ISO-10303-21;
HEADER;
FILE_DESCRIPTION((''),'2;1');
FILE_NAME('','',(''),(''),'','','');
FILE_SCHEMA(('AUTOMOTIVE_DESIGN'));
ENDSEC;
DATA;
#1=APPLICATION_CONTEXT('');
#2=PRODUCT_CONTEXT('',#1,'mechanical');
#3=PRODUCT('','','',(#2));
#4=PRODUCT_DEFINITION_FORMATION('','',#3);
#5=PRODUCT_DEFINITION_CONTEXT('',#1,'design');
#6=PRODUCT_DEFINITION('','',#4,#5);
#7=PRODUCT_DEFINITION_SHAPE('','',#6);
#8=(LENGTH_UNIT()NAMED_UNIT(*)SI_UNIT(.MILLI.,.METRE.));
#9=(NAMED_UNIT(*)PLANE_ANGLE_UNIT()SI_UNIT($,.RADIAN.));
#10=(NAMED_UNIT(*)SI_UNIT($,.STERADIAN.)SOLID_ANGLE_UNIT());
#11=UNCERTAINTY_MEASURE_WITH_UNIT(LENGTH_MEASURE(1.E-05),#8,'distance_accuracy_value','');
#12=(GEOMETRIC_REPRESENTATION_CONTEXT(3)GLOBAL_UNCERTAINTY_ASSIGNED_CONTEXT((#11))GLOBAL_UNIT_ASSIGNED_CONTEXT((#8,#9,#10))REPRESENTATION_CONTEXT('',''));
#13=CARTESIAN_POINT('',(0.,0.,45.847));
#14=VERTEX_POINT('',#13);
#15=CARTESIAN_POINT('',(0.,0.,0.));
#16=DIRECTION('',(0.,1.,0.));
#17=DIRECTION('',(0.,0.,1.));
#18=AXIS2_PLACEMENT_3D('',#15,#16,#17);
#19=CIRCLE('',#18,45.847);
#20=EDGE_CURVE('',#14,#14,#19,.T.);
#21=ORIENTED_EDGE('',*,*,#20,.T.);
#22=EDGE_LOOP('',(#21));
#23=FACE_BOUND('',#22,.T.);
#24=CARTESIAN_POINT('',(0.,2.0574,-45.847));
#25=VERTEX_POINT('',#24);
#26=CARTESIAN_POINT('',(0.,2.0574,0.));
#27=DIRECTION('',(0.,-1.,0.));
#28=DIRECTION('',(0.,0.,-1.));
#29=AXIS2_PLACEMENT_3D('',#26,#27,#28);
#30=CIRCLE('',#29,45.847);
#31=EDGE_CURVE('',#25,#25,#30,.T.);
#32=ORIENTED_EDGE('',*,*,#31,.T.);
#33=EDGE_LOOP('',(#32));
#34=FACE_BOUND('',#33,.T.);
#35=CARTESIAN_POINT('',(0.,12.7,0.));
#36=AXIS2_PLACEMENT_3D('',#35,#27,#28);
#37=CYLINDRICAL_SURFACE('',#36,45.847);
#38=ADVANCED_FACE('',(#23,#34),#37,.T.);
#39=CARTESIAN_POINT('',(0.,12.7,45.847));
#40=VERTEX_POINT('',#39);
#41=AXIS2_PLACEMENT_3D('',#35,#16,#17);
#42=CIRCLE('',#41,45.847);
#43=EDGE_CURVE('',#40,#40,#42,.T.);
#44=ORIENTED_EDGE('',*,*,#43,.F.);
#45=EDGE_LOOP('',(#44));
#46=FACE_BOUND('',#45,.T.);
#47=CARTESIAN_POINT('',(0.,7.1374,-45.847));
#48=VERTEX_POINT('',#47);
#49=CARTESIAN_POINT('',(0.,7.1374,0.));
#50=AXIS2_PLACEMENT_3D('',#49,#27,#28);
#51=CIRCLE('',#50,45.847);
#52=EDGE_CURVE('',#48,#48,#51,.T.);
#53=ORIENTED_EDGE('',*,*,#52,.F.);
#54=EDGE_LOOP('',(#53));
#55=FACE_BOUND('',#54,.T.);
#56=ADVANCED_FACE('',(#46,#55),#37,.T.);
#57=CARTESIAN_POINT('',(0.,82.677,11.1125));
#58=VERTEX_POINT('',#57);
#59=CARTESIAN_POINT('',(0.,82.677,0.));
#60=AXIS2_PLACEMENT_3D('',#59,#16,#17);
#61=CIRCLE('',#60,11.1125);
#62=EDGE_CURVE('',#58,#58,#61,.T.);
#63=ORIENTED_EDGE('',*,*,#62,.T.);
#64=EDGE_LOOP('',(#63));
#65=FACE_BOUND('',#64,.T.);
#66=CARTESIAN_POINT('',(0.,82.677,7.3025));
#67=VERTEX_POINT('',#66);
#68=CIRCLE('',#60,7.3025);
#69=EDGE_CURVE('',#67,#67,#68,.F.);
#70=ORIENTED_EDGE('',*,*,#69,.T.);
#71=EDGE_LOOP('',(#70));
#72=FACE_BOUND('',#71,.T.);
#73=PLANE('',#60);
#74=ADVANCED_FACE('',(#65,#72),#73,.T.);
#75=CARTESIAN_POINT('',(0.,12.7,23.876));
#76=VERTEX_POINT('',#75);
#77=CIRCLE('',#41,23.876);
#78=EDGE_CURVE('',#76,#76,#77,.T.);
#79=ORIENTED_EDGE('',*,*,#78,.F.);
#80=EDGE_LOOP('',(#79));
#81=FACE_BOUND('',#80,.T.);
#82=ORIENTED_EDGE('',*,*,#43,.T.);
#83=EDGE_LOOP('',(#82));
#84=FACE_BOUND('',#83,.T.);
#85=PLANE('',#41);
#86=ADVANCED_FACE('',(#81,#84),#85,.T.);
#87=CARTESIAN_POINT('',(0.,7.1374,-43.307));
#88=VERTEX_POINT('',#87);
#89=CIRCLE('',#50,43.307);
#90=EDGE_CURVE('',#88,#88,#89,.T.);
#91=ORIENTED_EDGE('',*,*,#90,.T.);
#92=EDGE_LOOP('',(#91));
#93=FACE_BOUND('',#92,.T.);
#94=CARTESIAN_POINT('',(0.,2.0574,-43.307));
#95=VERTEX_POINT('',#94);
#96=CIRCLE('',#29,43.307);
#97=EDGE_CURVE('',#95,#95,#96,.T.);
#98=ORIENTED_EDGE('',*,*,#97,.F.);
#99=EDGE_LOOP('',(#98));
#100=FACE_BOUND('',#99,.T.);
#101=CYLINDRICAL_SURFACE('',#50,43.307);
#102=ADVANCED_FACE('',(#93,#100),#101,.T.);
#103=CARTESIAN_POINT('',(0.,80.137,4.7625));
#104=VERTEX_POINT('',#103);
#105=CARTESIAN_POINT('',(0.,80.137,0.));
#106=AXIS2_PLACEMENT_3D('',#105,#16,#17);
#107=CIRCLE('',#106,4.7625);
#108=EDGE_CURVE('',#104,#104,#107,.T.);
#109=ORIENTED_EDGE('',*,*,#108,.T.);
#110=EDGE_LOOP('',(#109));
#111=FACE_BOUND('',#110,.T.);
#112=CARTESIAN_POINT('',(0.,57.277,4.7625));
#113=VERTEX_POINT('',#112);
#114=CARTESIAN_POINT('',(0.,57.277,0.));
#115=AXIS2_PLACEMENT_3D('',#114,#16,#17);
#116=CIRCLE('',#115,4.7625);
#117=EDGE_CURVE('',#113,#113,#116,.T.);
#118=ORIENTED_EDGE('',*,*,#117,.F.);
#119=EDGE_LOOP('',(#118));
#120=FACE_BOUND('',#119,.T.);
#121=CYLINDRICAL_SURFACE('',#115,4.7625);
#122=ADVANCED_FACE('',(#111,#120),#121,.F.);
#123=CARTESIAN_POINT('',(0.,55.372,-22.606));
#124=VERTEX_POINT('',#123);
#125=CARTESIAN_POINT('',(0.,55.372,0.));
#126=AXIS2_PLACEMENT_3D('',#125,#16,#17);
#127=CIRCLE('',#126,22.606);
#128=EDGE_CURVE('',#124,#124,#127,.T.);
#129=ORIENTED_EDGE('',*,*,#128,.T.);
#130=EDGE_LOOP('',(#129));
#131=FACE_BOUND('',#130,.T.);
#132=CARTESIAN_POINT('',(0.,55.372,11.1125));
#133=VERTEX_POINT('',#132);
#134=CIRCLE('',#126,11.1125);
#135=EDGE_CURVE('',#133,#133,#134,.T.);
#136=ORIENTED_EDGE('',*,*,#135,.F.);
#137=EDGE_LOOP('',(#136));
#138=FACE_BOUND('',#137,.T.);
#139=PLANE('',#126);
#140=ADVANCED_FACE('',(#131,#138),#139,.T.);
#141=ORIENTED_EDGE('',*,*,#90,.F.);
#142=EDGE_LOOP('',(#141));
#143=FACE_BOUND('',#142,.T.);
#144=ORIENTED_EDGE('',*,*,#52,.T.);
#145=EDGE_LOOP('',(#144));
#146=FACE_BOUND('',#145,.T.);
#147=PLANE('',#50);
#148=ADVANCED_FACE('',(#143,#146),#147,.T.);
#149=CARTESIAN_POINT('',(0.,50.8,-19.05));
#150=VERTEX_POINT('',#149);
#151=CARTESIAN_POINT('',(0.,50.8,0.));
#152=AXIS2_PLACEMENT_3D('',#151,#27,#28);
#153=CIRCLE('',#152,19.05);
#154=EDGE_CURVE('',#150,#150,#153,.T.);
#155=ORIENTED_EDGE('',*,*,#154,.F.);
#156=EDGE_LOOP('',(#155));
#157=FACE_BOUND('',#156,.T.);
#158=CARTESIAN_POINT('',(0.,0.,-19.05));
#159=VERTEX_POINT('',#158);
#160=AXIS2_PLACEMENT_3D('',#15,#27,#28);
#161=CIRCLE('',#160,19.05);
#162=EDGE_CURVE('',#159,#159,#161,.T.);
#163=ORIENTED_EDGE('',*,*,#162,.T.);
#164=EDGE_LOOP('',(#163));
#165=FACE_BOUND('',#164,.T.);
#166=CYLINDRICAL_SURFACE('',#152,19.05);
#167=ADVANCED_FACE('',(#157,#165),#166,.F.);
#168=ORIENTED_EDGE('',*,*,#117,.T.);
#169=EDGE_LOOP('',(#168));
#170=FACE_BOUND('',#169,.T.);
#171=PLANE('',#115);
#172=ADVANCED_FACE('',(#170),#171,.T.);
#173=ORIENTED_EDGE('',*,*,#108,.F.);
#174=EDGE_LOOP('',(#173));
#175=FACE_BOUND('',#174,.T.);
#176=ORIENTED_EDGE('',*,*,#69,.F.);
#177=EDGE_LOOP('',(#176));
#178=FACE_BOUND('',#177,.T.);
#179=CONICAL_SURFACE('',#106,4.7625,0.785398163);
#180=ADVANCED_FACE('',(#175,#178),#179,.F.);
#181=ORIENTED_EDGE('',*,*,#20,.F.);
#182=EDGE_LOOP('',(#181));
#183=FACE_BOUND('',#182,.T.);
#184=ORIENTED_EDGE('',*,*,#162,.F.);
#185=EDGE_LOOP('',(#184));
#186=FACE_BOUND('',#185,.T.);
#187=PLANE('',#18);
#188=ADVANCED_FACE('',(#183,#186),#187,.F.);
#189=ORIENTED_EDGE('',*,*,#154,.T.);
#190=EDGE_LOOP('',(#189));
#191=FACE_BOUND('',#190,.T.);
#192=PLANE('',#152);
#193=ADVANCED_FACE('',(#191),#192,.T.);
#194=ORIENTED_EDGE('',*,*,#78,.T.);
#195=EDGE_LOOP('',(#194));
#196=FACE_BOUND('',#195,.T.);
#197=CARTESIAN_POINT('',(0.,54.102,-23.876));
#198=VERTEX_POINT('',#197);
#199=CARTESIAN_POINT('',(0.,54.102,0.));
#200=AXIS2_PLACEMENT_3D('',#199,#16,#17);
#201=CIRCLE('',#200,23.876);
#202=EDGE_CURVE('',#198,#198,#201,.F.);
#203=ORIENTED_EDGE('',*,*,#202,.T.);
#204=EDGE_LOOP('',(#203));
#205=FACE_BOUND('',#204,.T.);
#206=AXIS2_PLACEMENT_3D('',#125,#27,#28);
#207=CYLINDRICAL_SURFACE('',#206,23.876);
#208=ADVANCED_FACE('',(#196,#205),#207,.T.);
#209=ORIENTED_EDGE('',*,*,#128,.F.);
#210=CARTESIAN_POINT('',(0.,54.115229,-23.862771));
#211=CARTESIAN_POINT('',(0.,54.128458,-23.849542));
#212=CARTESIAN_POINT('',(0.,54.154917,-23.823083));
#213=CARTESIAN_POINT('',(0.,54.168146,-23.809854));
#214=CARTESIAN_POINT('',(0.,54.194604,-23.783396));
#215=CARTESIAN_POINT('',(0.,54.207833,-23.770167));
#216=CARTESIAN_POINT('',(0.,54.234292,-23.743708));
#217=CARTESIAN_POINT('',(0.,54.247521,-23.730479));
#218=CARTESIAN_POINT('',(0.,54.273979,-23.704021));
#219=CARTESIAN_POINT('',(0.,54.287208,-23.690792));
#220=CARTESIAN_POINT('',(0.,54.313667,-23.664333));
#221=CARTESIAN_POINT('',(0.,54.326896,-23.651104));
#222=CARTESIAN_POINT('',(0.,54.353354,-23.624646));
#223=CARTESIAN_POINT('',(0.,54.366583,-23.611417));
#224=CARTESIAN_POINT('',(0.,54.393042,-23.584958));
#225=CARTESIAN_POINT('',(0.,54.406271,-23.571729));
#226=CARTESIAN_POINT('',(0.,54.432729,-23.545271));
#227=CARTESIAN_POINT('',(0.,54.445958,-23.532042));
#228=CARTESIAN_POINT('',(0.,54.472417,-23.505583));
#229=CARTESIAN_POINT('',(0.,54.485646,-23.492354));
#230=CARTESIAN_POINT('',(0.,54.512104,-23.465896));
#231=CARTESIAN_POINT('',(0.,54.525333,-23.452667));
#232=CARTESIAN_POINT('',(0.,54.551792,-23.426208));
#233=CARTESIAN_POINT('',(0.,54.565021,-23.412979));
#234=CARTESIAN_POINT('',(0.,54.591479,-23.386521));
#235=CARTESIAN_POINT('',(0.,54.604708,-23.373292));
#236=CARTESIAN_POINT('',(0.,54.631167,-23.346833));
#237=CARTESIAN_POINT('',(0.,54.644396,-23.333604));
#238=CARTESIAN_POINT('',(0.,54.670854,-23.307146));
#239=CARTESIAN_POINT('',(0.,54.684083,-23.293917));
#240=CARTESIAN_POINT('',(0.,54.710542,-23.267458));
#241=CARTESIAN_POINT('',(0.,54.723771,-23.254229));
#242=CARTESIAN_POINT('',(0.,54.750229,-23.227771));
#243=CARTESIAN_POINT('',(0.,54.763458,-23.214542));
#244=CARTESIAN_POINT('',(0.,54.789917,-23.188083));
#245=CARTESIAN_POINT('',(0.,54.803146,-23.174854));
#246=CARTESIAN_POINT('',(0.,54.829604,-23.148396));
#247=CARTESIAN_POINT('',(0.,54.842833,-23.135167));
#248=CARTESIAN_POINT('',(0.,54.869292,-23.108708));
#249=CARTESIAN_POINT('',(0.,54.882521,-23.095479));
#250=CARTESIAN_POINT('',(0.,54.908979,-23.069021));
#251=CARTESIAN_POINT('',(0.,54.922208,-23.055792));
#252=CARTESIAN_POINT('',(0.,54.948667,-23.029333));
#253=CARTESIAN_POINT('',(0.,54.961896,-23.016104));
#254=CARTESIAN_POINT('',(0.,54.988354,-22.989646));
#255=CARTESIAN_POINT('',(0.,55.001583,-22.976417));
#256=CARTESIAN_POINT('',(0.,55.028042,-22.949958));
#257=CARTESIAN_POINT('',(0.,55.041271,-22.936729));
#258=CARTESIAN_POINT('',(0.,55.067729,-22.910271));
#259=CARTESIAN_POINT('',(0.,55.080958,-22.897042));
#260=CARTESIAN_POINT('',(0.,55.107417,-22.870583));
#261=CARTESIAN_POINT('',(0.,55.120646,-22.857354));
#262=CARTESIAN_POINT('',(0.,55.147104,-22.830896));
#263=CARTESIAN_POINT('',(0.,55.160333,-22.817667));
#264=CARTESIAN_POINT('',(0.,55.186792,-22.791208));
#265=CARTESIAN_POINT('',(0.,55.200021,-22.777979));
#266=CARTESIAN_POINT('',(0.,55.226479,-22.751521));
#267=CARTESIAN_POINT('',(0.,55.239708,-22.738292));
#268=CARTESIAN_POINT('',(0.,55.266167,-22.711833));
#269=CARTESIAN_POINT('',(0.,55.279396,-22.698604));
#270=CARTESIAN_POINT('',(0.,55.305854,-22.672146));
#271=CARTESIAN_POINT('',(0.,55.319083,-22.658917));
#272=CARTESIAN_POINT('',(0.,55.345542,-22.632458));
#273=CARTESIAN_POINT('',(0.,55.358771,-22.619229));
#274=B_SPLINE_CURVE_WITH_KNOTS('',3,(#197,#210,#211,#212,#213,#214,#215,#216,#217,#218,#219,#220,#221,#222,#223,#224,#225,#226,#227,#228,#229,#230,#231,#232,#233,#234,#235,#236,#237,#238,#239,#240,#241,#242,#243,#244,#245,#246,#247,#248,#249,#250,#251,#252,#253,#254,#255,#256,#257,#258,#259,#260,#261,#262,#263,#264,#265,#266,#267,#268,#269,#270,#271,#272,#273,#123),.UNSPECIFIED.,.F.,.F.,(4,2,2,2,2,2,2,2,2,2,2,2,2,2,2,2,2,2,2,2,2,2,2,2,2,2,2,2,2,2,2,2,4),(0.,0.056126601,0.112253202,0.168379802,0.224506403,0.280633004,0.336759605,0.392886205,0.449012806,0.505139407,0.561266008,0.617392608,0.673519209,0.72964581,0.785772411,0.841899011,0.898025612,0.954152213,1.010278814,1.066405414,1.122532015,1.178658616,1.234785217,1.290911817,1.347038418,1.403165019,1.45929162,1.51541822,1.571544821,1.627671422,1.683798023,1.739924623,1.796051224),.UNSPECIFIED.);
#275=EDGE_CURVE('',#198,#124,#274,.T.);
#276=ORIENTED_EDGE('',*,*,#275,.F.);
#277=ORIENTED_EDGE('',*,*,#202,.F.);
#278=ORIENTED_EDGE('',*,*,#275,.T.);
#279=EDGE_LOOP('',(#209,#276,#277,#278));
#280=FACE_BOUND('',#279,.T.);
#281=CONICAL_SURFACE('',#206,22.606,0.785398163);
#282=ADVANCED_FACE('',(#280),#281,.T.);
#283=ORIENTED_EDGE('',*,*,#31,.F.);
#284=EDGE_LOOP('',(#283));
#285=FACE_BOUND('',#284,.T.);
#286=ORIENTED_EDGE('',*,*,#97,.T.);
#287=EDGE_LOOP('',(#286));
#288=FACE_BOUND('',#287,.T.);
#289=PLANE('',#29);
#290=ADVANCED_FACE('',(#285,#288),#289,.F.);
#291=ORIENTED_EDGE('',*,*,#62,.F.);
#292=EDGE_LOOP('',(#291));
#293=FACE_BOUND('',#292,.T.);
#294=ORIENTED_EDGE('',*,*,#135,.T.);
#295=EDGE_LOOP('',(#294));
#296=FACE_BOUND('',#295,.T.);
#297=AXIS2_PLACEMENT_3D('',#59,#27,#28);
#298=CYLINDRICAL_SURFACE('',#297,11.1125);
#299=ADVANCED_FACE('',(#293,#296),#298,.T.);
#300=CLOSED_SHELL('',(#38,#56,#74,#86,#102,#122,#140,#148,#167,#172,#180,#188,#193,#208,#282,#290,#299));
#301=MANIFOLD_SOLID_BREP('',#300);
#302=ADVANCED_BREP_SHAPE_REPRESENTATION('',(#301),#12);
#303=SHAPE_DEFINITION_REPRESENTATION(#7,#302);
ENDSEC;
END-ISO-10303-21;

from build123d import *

# Parameters (mm, degrees)
SKETCH1_R           = 45.847
BOSS_EXTRUDE1_DEPTH = 12.7
SKETCH2_R           = 23.876
BOSS_EXTRUDE2_DEPTH = 42.672
SKETCH3_R           = 11.1125
BOSS_EXTRUDE3_DEPTH = 27.305
SKETCH5_R           = 4.7625
CUT_EXTRUDE1_DEPTH  = 25.4
CHAMFER1_SIZE       = 2.54
CHAMFER2_SIZE       = 1.27
SKETCH6_R           = 19.05
CUT_EXTRUDE2_DEPTH  = 50.8
CUT_EXTRUDE3_START  = -2.0574
SKETCH7_R           = 45.847
SKETCH7_R_2         = 43.307
CUT_EXTRUDE3_DEPTH  = 5.08


with BuildPart() as part:
    # Sketch1 → Boss-Extrude1 (new body)
    with BuildSketch(Plane(origin=(0, 0, 0), x_dir=(1, 0, 0), z_dir=(0, 1, 0))):
        with Locations(Location((0, 0, 0), (0, 0, 270))):
            Circle(SKETCH1_R)
    extrude(amount=BOSS_EXTRUDE1_DEPTH)

    # Sketch2 → Boss-Extrude2 (add)
    with BuildSketch(Plane(origin=(0, 12.7, 0), x_dir=(1, 0, 0), z_dir=(0, 1, 0))):
        with Locations(Location((0, 0, 0), (0, 0, 270))):
            Circle(SKETCH2_R)
    extrude(amount=BOSS_EXTRUDE2_DEPTH)

    # Sketch3 → Boss-Extrude3 (add)
    with BuildSketch(Plane(origin=(0, 55.372, 0), x_dir=(1, 0, 0), z_dir=(0, 1, 0))):
        with Locations(Location((0, 0, 0), (0, 0, 270))):
            Circle(SKETCH3_R)
    extrude(amount=BOSS_EXTRUDE3_DEPTH)

    # Sketch5 → Cut-Extrude1 (cut)
    with BuildSketch(Plane(origin=(0, 82.677, 0), x_dir=(1, 0, 0), z_dir=(0, 1, 0))):
        with Locations(Location((0, 0, 0), (0, 0, 270))):
            Circle(SKETCH5_R)
    extrude(amount=-CUT_EXTRUDE1_DEPTH, mode=Mode.SUBTRACT)

    # Chamfer1
    chamfer1_edges = [part.edges().sort_by_distance(p)[0] for p in [
        (0, 82.677, -4.7625),
    ]]
    chamfer(chamfer1_edges, length=CHAMFER1_SIZE)

    # Chamfer2
    chamfer2_edges = [part.edges().sort_by_distance(p)[0] for p in [
        (0, 55.372, -23.876),
    ]]
    chamfer(chamfer2_edges, length=CHAMFER2_SIZE)

    # Sketch6 → Cut-Extrude2 (cut)
    with BuildSketch(Plane.XZ):
        with Locations(Location((0, 0, 0), (0, 0, 270))):
            Circle(SKETCH6_R)
    extrude(amount=-CUT_EXTRUDE2_DEPTH, mode=Mode.SUBTRACT)

    # Sketch7 → Cut-Extrude3 (cut)
    with BuildSketch(Plane.XZ.offset(CUT_EXTRUDE3_START)):
        with Locations(Location((0, 0, 0), (0, 0, 270))):
            Circle(SKETCH7_R)
        with Locations(Location((0, 0, 0), (0, 0, 270))):
            Circle(SKETCH7_R_2, mode=Mode.SUBTRACT)
    extrude(amount=-CUT_EXTRUDE3_DEPTH, mode=Mode.SUBTRACT)


solid = part.part
